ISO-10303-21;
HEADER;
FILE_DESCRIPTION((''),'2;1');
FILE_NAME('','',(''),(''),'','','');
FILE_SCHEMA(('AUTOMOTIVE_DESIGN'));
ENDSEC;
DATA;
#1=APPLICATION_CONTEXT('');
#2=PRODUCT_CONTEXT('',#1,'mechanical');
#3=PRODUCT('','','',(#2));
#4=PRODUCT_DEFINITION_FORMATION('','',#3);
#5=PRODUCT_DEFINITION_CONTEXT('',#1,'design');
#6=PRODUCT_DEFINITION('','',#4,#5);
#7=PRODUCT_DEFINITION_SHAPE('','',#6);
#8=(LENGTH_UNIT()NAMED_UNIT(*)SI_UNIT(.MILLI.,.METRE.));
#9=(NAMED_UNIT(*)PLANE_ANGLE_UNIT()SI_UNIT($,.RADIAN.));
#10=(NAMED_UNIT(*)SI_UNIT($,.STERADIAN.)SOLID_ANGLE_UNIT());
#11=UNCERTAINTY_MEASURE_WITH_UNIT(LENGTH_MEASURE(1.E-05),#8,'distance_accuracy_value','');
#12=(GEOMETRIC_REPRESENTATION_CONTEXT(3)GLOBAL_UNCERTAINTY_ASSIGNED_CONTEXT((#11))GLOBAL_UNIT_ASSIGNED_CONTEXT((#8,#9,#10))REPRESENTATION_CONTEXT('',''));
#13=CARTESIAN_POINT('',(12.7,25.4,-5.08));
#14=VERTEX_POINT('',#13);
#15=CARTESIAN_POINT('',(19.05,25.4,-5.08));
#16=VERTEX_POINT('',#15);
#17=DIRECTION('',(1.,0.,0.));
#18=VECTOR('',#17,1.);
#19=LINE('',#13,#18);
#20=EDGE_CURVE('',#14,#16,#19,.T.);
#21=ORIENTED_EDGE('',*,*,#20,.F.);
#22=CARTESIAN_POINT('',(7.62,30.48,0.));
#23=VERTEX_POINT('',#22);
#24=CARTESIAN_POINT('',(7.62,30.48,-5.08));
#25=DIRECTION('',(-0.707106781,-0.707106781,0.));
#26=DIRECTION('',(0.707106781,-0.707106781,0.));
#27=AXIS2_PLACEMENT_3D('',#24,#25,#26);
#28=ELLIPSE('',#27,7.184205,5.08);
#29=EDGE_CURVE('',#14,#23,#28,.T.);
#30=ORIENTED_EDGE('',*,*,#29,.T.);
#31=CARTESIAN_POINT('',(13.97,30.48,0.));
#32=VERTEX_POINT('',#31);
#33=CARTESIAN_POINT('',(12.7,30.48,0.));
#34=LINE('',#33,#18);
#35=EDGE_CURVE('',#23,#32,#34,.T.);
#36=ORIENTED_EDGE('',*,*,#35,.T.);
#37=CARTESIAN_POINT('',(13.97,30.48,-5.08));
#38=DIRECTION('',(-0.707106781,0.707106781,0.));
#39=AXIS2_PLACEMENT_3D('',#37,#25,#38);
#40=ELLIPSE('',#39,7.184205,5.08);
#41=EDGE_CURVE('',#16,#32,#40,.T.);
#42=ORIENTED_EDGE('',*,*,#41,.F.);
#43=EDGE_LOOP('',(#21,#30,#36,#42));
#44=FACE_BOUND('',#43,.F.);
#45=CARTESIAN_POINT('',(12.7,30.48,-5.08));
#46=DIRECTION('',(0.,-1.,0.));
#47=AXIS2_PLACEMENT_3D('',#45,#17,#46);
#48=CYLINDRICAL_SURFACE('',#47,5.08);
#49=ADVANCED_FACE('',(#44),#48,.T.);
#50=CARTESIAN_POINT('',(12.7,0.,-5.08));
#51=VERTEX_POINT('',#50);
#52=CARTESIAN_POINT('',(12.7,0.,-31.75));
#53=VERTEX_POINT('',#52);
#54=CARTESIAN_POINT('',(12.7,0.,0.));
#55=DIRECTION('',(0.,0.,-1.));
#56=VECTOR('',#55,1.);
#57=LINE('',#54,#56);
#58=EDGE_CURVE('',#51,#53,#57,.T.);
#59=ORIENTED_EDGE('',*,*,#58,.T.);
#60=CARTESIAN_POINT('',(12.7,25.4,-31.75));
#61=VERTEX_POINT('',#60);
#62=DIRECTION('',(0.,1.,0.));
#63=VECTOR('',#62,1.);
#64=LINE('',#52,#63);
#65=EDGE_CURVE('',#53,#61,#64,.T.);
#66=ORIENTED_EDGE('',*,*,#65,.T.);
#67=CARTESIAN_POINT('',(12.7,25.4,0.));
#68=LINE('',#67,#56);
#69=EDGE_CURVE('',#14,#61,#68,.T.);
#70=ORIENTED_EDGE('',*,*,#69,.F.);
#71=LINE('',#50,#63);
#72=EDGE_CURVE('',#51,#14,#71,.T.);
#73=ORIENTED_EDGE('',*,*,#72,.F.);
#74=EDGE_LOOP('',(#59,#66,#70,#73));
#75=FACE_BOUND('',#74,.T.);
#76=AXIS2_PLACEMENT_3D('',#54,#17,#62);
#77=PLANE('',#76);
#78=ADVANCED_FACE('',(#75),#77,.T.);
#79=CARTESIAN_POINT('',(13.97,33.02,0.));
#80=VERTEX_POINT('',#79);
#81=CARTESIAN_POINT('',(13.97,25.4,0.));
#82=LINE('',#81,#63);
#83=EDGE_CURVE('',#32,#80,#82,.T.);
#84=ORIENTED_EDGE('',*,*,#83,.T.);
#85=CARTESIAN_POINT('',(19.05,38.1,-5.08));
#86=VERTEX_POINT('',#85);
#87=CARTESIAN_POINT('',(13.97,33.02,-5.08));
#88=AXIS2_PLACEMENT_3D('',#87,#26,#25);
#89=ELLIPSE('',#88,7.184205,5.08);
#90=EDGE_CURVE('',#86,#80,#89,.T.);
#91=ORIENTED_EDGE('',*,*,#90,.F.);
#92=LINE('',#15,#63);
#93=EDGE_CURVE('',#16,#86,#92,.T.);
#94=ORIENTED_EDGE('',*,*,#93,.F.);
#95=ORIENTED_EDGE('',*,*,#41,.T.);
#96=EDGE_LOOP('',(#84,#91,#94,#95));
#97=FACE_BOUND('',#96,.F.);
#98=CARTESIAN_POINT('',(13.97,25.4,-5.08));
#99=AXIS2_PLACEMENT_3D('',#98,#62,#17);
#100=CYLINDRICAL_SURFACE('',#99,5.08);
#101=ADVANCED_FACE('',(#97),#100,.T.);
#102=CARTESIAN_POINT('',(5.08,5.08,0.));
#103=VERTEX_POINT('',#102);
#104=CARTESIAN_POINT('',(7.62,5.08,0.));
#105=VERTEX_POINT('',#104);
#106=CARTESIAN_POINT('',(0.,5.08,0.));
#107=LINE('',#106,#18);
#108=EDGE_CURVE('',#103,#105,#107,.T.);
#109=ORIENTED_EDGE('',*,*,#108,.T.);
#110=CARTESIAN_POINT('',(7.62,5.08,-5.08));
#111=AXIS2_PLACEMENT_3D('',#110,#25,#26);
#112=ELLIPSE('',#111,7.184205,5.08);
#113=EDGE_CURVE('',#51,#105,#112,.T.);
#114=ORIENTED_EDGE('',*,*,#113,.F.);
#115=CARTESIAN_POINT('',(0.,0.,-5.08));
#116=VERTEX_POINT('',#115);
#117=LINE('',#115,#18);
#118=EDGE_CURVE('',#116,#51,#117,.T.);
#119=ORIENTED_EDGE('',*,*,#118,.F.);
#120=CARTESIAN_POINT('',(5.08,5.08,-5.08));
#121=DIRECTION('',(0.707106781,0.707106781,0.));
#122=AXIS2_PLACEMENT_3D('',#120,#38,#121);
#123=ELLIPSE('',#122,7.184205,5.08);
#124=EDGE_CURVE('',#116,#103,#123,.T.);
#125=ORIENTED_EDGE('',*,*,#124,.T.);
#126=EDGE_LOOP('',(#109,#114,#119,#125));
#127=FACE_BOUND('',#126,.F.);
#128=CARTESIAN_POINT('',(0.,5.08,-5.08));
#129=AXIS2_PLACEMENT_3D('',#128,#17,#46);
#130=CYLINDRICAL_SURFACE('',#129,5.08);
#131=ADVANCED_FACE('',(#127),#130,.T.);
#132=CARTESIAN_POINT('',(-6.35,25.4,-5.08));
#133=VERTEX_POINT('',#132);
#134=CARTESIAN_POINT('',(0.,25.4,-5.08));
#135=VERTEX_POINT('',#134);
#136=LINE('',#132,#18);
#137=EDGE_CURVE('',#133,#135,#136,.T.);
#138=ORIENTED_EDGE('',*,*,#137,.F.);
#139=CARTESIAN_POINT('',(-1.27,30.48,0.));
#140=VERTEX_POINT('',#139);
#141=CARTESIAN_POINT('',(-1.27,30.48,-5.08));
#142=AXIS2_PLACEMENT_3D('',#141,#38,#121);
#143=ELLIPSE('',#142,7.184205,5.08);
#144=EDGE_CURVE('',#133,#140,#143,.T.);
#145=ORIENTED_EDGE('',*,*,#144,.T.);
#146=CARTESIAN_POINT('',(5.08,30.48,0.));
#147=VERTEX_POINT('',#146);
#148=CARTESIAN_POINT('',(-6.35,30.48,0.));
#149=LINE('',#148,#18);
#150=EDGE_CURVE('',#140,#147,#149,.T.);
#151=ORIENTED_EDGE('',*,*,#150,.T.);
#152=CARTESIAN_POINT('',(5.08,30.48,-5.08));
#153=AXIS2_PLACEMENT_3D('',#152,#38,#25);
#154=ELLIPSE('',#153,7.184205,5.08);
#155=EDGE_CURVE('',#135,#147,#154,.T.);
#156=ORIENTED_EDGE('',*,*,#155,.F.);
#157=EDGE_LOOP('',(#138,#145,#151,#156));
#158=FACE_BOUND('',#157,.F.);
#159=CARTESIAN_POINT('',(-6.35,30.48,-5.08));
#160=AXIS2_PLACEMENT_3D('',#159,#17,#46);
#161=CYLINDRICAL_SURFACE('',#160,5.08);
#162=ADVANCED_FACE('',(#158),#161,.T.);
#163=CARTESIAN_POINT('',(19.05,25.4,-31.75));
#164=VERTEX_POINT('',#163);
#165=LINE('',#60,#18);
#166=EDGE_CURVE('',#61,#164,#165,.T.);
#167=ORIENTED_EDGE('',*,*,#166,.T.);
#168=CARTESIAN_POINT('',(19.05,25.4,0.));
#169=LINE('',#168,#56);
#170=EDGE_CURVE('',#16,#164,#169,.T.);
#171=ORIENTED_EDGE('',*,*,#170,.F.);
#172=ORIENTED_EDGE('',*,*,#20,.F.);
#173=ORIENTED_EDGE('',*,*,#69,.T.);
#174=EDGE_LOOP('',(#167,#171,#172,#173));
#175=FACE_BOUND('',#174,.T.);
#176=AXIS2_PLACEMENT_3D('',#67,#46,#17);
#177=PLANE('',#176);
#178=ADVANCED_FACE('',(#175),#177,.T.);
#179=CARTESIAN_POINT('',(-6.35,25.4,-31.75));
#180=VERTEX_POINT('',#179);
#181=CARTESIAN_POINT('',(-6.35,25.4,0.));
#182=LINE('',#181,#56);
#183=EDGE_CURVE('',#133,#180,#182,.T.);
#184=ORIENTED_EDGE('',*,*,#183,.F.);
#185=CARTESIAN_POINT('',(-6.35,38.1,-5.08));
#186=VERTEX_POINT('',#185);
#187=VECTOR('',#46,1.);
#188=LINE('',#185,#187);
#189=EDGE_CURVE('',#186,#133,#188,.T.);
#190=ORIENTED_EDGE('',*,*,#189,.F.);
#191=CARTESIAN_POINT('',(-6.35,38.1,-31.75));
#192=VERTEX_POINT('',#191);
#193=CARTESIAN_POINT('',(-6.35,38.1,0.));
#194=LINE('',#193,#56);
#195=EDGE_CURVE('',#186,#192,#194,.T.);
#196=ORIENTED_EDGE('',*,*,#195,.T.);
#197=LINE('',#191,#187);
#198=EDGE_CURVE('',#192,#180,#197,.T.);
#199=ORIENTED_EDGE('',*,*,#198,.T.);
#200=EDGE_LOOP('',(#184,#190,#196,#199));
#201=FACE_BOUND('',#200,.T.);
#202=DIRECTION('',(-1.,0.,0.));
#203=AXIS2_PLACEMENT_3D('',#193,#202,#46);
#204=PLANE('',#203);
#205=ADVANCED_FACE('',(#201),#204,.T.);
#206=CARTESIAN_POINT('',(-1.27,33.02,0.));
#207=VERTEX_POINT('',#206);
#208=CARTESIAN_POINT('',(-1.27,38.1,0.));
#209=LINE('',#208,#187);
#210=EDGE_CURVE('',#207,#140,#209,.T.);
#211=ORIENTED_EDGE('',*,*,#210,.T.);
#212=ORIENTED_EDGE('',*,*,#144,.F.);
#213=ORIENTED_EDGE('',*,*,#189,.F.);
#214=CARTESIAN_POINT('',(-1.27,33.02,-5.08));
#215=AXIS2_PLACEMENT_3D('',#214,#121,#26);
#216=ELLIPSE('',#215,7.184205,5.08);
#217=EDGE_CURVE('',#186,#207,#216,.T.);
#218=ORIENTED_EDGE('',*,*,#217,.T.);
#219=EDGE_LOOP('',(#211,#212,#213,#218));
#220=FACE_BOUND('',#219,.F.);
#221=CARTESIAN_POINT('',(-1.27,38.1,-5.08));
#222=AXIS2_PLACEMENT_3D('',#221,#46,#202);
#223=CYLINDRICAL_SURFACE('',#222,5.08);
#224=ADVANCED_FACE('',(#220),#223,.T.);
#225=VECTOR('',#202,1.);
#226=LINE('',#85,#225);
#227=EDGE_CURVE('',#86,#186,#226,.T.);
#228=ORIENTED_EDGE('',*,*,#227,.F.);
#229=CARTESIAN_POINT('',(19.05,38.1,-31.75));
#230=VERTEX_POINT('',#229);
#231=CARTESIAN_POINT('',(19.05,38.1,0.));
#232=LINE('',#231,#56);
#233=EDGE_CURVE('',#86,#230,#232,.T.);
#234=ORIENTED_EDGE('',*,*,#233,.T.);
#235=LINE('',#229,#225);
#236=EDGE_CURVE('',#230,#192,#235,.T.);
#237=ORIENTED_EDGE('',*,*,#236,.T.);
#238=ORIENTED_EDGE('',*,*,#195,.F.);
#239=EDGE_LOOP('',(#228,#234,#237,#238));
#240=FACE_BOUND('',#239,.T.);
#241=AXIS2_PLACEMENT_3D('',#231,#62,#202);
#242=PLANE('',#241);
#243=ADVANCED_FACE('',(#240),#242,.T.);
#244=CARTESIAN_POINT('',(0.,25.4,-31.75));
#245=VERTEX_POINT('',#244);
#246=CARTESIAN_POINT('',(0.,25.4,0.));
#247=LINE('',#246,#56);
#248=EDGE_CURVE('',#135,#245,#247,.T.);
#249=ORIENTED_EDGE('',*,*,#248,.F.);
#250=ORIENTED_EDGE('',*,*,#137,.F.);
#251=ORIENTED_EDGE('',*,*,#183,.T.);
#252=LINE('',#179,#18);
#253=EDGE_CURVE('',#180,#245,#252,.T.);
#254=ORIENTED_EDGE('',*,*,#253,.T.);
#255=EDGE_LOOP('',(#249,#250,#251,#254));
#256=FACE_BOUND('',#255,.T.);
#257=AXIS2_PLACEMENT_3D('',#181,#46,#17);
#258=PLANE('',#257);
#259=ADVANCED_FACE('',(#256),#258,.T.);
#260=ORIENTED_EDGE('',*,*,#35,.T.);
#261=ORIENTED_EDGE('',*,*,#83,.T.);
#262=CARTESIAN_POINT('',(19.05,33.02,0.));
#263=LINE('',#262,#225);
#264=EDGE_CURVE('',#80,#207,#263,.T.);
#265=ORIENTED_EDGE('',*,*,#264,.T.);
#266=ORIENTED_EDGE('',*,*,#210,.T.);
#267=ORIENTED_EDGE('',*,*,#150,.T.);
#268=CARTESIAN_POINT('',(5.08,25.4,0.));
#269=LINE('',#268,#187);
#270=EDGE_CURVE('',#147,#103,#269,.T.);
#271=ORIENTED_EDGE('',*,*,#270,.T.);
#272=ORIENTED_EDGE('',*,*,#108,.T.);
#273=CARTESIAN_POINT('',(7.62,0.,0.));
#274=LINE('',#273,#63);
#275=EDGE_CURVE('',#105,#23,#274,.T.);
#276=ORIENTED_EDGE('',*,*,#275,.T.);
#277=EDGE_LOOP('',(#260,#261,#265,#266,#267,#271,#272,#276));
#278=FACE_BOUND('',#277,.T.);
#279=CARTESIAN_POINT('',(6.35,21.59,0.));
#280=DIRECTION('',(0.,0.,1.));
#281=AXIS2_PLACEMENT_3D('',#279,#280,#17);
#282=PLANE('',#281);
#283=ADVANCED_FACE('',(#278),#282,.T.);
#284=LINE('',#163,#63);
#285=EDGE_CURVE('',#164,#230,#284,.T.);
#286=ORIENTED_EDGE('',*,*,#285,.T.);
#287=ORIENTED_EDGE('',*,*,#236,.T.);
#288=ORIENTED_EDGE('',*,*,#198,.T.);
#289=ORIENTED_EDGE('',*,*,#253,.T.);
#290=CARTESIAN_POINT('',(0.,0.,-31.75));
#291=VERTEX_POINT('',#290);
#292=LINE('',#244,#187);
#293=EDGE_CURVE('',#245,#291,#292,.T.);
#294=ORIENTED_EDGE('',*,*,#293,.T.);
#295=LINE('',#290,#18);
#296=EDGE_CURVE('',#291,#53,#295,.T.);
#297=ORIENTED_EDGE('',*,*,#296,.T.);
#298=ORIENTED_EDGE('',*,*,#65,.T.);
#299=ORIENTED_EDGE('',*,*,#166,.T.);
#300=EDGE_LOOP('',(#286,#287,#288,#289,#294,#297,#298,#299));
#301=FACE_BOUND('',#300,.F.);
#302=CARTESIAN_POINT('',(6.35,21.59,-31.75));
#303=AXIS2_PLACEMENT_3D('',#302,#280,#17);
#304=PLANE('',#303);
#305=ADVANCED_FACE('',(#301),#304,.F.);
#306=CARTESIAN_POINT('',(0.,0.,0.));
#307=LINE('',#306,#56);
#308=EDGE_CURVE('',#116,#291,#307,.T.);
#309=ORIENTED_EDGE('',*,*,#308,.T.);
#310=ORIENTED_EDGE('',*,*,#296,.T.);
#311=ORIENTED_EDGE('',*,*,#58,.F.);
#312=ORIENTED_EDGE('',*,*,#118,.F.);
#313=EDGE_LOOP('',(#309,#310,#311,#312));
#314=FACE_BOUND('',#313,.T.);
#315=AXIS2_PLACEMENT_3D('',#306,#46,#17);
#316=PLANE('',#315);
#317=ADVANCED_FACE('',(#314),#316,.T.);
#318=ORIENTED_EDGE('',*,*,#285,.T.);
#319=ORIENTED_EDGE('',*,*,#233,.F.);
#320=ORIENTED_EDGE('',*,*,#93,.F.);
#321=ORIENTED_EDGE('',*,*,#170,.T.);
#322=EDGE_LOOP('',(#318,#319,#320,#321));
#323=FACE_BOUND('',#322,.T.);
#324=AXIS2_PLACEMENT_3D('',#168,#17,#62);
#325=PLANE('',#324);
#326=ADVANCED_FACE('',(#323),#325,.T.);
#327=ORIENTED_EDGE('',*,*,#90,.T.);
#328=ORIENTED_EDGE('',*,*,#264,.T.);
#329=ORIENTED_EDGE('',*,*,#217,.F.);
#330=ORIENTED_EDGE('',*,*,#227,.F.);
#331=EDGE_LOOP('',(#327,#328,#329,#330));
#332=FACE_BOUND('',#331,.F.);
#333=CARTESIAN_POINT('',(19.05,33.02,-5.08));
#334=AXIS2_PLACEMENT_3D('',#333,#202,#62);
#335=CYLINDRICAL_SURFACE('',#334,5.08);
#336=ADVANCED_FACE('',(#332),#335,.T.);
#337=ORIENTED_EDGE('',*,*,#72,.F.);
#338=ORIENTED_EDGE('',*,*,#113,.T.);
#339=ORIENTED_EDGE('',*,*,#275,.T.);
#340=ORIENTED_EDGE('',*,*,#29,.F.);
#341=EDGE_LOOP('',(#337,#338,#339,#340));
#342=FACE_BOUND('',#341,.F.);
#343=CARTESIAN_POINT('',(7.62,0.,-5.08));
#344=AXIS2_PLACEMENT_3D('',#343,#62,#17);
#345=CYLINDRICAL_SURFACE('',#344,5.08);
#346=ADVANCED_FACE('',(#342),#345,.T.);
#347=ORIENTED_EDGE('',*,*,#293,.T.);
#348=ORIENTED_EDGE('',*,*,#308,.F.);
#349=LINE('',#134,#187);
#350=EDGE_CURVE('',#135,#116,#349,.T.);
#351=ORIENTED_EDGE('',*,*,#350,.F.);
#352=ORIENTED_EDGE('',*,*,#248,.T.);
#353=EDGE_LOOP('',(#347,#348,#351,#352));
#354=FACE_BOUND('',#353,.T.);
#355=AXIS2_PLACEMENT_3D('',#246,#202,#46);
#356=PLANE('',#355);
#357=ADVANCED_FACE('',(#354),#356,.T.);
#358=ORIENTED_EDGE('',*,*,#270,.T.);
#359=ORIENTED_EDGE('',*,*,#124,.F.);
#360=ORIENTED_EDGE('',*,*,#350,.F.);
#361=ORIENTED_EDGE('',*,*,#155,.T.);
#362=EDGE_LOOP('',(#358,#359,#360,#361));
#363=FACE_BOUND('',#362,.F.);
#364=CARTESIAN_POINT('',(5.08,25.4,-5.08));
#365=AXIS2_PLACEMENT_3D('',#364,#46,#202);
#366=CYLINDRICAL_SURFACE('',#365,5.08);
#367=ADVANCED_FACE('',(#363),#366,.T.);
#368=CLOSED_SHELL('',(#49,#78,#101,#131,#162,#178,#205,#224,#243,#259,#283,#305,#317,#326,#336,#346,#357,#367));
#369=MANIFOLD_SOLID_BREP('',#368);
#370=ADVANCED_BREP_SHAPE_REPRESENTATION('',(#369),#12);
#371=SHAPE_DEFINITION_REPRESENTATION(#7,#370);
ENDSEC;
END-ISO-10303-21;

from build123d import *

# Parameters (mm, degrees)
F1_DEPTH = 31.75
F2_R     = 5.08


with BuildPart() as f1:
    # F0 (on Top) → F1 (new body)
    with BuildSketch(Plane.XY):
        Polygon((0, 25.4), (0, 0), (12.7, 0), (12.7, 25.4), (19.05, 25.4), (19.05, 38.1), (-6.35, 38.1), (-6.35, 25.4), align=None)
    extrude(amount=-F1_DEPTH)

    # F2
    f2_edges = [f1.edges().sort_by_distance(p)[0] for p in [
        (6.35, 0, 0),
        (0, 12.7, 0),
        (-3.175, 25.4, 0),
        (-6.35, 31.75, 0),
        (6.35, 38.1, 0),
        (19.05, 31.75, 0),
        (15.875, 25.4, 0),
        (12.7, 12.7, 0),
    ]]
    fillet(f2_edges, radius=F2_R)


solid = f1.part
